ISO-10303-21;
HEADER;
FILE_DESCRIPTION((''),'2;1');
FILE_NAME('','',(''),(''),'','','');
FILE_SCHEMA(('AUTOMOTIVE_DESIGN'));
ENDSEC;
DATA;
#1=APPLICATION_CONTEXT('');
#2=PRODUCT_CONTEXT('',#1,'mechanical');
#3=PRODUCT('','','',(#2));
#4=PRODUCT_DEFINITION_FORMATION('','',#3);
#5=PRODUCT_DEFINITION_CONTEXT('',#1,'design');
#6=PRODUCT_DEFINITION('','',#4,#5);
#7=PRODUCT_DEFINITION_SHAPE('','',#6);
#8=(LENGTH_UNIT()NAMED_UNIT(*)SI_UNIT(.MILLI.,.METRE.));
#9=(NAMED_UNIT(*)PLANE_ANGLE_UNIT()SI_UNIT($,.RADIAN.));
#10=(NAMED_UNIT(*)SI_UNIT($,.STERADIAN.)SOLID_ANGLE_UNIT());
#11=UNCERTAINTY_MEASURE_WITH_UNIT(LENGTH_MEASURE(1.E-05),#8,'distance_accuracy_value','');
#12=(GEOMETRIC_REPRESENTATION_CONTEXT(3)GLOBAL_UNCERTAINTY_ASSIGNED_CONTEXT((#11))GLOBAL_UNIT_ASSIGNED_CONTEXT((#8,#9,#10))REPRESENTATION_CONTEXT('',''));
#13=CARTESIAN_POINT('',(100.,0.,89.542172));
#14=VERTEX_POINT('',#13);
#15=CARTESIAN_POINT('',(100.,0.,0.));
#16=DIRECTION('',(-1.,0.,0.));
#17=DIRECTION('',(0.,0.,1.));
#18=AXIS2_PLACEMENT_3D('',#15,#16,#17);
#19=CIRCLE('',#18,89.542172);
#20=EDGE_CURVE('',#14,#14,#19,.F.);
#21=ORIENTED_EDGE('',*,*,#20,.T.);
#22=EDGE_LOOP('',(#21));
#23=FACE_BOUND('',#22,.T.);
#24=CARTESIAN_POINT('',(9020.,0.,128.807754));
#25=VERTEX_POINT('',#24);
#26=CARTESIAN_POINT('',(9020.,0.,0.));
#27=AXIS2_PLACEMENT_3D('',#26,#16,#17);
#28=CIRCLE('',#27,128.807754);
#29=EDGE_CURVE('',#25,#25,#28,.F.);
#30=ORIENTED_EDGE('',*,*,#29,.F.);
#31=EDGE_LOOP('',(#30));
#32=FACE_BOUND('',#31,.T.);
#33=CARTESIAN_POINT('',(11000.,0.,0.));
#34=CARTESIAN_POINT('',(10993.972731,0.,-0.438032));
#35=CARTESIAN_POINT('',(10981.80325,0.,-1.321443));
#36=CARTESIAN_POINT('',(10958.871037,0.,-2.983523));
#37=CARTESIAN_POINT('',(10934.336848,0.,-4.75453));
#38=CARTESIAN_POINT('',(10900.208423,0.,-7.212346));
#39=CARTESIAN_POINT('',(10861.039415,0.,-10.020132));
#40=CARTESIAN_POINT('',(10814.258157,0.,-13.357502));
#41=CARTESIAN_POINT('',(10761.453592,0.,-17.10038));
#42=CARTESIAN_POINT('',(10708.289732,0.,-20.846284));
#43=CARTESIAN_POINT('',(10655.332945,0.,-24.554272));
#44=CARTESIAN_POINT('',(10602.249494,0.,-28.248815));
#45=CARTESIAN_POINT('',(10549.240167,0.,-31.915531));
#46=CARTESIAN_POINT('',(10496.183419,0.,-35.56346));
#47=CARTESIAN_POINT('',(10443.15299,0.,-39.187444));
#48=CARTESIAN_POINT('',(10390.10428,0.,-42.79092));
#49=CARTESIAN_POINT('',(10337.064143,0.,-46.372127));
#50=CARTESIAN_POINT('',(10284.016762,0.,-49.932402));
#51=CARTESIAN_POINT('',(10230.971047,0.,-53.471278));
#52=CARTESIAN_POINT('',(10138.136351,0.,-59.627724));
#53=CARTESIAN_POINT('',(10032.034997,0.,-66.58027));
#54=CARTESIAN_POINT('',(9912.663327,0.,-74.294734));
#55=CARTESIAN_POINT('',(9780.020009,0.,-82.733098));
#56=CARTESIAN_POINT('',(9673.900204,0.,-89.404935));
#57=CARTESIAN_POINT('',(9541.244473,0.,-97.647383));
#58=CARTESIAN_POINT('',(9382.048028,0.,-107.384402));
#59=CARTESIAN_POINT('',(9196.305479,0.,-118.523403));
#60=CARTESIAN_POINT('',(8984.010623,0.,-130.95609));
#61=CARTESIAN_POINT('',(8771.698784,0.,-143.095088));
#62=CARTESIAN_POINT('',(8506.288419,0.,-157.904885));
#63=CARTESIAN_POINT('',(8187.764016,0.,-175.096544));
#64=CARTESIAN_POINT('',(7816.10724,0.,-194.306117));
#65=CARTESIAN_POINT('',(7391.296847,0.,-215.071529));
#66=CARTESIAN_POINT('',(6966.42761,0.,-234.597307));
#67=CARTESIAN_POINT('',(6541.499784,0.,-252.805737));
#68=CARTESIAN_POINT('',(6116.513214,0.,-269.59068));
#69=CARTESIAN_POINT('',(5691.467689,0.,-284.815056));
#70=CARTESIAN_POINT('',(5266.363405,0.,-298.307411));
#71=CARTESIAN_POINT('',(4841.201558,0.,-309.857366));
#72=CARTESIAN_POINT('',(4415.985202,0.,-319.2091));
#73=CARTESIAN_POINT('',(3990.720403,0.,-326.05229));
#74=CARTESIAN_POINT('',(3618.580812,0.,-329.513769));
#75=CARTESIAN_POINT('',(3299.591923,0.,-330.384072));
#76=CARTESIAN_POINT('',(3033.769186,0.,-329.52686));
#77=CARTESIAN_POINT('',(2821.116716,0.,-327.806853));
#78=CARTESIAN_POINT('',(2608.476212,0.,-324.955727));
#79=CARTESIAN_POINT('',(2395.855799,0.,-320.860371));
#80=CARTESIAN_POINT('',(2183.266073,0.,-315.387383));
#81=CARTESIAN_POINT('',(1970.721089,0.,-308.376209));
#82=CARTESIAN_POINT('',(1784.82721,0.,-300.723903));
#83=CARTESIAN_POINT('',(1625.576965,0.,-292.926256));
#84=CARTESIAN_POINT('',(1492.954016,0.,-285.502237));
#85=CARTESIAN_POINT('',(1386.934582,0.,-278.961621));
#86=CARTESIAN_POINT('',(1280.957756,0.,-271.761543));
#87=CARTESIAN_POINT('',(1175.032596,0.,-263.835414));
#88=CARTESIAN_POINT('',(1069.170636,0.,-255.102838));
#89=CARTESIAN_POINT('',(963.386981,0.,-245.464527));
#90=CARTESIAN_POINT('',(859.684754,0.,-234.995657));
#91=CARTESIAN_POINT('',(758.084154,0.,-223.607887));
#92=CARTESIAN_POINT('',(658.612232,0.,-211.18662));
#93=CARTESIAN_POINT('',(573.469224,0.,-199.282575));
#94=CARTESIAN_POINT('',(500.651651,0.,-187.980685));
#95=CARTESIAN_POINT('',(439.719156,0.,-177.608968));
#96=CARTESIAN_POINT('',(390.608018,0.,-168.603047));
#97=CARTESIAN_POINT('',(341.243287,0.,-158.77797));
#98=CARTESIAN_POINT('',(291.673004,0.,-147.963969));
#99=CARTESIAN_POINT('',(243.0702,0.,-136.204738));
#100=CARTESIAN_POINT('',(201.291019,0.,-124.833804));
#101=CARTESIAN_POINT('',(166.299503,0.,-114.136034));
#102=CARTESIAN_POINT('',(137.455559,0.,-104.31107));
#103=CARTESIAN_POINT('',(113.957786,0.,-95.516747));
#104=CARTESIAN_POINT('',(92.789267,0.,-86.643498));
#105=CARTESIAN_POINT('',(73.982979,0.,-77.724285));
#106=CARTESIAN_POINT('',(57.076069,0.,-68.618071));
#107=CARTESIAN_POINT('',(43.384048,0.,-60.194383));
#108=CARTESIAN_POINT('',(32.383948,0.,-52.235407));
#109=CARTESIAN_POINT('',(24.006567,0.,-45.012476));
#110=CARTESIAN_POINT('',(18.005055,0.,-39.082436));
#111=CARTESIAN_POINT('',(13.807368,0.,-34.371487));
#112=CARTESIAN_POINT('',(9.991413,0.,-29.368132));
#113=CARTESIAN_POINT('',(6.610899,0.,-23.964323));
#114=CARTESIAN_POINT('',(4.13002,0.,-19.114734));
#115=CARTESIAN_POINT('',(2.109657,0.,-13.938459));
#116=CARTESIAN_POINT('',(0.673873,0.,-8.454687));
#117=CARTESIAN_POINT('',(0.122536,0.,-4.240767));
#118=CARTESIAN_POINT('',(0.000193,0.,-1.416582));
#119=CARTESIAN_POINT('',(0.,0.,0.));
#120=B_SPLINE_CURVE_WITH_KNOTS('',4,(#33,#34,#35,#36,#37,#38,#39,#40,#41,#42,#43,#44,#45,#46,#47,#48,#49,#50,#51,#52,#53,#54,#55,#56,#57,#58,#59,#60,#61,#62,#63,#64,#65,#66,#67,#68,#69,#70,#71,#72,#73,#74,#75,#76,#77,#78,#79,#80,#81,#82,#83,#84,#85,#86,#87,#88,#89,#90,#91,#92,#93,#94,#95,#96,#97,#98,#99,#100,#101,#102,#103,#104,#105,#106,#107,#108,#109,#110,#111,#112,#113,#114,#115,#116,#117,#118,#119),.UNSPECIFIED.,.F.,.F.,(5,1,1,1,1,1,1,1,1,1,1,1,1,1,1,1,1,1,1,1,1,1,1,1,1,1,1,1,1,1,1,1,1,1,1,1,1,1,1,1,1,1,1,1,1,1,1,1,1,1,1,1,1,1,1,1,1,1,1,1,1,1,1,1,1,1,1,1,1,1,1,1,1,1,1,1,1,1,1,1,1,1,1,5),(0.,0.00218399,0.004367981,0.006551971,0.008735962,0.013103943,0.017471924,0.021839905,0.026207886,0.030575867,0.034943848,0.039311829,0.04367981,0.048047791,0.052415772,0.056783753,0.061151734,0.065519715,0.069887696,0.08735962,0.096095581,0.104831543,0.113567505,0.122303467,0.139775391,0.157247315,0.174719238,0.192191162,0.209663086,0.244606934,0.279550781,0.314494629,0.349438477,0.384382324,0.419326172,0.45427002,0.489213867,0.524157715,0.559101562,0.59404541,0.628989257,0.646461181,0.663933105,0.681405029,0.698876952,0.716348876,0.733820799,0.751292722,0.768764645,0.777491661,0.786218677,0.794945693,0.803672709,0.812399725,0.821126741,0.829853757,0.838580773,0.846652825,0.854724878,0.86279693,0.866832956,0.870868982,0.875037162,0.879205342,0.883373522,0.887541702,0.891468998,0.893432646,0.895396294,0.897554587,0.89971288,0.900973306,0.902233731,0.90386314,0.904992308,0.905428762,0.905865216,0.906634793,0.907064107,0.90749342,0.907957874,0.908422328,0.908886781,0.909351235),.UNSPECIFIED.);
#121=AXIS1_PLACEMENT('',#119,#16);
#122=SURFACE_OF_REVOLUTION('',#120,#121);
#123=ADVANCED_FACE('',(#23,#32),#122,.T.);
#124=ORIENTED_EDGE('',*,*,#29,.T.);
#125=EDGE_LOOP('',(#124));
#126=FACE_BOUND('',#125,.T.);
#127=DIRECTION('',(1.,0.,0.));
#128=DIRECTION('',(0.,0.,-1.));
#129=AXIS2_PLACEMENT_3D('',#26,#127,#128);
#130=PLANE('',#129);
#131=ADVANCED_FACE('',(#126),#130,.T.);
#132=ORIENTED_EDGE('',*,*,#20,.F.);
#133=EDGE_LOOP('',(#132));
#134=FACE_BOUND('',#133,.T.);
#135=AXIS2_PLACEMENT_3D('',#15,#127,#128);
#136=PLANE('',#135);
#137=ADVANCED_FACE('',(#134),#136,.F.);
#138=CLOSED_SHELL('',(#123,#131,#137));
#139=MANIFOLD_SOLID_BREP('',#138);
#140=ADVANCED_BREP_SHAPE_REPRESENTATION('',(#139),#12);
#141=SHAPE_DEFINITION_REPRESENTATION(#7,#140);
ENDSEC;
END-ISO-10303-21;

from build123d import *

# Parameters (mm, degrees)
CUTSKETCH_R        = 330
CUT_EXTRUDE1_DEPTH = 1981.000000056
SKETCH1_R          = 330
CUT_EXTRUDE2_DEPTH = 100


with BuildPart() as part:
    # rootSketch → Revolve1 (revolve)
    with BuildSketch(Plane(origin=(0, 0, 0), x_dir=(1, 0, 0), z_dir=(0, 1, 0))):
        with BuildLine():
            Line((0, 0), (10999.999999956, 0))
            add(Edge.make_bspline(
                [(0, 0), (0.000193085, 1.416582005), (0.122535707, 4.240766735), (0.673873379, 8.454686711), (2.109656818, 13.93845879), (4.130019916, 19.114733958), (6.6108994, 23.964322659), (9.99141312, 29.368131534), (13.807367772, 34.371487293), (18.005055091, 39.082436475), (24.006567174, 45.012475537), (32.38394762, 52.235407337), (43.384048479, 60.194382801), (57.076069362, 68.618071155), (73.982979094, 77.724284629), (92.789267205, 86.643497962), (113.957785626, 95.516746756), (137.455558775, 104.311070441), (166.299503437, 114.136034239), (201.291019257, 124.83380424), (243.070199966, 136.204737597), (291.673004407, 147.963968929), (341.243287097, 158.777969553), (390.608018364, 168.603047356), (439.719156269, 177.608967602), (500.651651233, 187.980684512), (573.469223954, 199.282575084), (658.612232457, 211.186619601), (758.084154261, 223.607887379), (859.684753543, 234.995657417), (963.386980877, 245.464526813), (1069.170635517, 255.102838422), (1175.032596375, 263.835414151), (1280.957756037, 271.761542521), (1386.934581972, 278.961621427), (1492.954015963, 285.502236936), (1625.576964573, 292.926255548), (1784.827209806, 300.723903315), (1970.72108882, 308.376208714), (2183.266072594, 315.387382688), (2395.855799019, 320.860371187), (2608.476211675, 324.955727138), (2821.116716449, 327.806853247), (3033.769186051, 329.526860496), (3299.591922937, 330.384071895), (3618.580812409, 329.51376865), (3990.720403141, 326.052290468), (4415.985201528, 319.209100208), (4841.201558049, 309.857365651), (5266.363404579, 298.307410519), (5691.467689334, 284.815055747), (6116.513213618, 269.590680129), (6541.499783516, 252.805736724), (6966.427609798, 234.597307498), (7391.296846876, 215.071528971), (7816.107239786, 194.306117476), (8187.764015612, 175.096544249), (8506.288418891, 157.904884619), (8771.698784382, 143.095088026), (8984.01062255, 130.95609045), (9196.305479291, 118.523403252), (9382.048027901, 107.38440154), (9541.24447253, 97.647382898), (9673.900203702, 89.404934778), (9780.020008578, 82.733097615), (9912.663326878, 74.294734048), (10032.03499694, 66.58027009), (10138.136351112, 59.627723881), (10230.971046534, 53.471278218), (10284.016761583, 49.932402374), (10337.064143493, 46.372127364), (10390.104279802, 42.790919783), (10443.152990441, 39.18744375), (10496.183419271, 35.563459924), (10549.240167305, 31.915530826), (10602.249493916, 28.248814521), (10655.332945198, 24.554271665), (10708.28973189, 20.846283715), (10761.453592237, 17.100380429), (10814.258157127, 13.357501973), (10861.039415372, 10.020132172), (10900.208423325, 7.212345677), (10934.336848159, 4.754530233), (10958.871036751, 2.983522743), (10981.803250473, 1.321442896), (10993.97273069, 0.438031797), (10999.999999956, 0)],
                knots=[0, 0, 0, 0, 0, 0.000464454, 0.000928907, 0.001393361, 0.001857814, 0.002287128, 0.002716441, 0.003486019, 0.003922473, 0.004358926, 0.005488094, 0.007117503, 0.008377929, 0.009638355, 0.011796648, 0.013954941, 0.015918589, 0.017882237, 0.021809533, 0.025977713, 0.030145893, 0.034314073, 0.038482253, 0.042518279, 0.046554305, 0.054626357, 0.062698409, 0.070770462, 0.079497478, 0.088224494, 0.09695151, 0.105678526, 0.114405542, 0.123132558, 0.131859574, 0.14058659, 0.158058513, 0.175530436, 0.193002359, 0.210474282, 0.227946206, 0.24541813, 0.262890054, 0.280361977, 0.315305825, 0.350249672, 0.38519352, 0.420137368, 0.455081215, 0.490025063, 0.524968911, 0.559912758, 0.594856606, 0.629800453, 0.664744301, 0.699688149, 0.717160073, 0.734631996, 0.75210392, 0.769575844, 0.787047768, 0.79578373, 0.804519691, 0.813255653, 0.821991615, 0.839463539, 0.84383152, 0.848199501, 0.852567482, 0.856935463, 0.861303444, 0.865671425, 0.870039406, 0.874407387, 0.878775368, 0.883143349, 0.88751133, 0.891879311, 0.896247292, 0.900615273, 0.902799263, 0.904983254, 0.907167244, 0.909351235, 0.909351235, 0.909351235, 0.909351235, 0.909351235], degree=4))
        make_face()
    revolve(axis=Axis((0, 0, 0), (1, 0, 0)))

    # cutSketch → Cut-Extrude1 (cut, through all)
    with BuildSketch(Plane(origin=(9020, 0, 0), x_dir=(0, 0, -1), z_dir=(1, 0, 0))):
        Circle(CUTSKETCH_R)
    extrude(amount=CUT_EXTRUDE1_DEPTH, mode=Mode.SUBTRACT)

    # Sketch1 → Cut-Extrude2 (cut)
    with BuildSketch(Plane(origin=(0, 0, 0), x_dir=(0, 0, -1), z_dir=(1, 0, 0))):
        Circle(SKETCH1_R)
    extrude(amount=CUT_EXTRUDE2_DEPTH, mode=Mode.SUBTRACT)


solid = part.part
